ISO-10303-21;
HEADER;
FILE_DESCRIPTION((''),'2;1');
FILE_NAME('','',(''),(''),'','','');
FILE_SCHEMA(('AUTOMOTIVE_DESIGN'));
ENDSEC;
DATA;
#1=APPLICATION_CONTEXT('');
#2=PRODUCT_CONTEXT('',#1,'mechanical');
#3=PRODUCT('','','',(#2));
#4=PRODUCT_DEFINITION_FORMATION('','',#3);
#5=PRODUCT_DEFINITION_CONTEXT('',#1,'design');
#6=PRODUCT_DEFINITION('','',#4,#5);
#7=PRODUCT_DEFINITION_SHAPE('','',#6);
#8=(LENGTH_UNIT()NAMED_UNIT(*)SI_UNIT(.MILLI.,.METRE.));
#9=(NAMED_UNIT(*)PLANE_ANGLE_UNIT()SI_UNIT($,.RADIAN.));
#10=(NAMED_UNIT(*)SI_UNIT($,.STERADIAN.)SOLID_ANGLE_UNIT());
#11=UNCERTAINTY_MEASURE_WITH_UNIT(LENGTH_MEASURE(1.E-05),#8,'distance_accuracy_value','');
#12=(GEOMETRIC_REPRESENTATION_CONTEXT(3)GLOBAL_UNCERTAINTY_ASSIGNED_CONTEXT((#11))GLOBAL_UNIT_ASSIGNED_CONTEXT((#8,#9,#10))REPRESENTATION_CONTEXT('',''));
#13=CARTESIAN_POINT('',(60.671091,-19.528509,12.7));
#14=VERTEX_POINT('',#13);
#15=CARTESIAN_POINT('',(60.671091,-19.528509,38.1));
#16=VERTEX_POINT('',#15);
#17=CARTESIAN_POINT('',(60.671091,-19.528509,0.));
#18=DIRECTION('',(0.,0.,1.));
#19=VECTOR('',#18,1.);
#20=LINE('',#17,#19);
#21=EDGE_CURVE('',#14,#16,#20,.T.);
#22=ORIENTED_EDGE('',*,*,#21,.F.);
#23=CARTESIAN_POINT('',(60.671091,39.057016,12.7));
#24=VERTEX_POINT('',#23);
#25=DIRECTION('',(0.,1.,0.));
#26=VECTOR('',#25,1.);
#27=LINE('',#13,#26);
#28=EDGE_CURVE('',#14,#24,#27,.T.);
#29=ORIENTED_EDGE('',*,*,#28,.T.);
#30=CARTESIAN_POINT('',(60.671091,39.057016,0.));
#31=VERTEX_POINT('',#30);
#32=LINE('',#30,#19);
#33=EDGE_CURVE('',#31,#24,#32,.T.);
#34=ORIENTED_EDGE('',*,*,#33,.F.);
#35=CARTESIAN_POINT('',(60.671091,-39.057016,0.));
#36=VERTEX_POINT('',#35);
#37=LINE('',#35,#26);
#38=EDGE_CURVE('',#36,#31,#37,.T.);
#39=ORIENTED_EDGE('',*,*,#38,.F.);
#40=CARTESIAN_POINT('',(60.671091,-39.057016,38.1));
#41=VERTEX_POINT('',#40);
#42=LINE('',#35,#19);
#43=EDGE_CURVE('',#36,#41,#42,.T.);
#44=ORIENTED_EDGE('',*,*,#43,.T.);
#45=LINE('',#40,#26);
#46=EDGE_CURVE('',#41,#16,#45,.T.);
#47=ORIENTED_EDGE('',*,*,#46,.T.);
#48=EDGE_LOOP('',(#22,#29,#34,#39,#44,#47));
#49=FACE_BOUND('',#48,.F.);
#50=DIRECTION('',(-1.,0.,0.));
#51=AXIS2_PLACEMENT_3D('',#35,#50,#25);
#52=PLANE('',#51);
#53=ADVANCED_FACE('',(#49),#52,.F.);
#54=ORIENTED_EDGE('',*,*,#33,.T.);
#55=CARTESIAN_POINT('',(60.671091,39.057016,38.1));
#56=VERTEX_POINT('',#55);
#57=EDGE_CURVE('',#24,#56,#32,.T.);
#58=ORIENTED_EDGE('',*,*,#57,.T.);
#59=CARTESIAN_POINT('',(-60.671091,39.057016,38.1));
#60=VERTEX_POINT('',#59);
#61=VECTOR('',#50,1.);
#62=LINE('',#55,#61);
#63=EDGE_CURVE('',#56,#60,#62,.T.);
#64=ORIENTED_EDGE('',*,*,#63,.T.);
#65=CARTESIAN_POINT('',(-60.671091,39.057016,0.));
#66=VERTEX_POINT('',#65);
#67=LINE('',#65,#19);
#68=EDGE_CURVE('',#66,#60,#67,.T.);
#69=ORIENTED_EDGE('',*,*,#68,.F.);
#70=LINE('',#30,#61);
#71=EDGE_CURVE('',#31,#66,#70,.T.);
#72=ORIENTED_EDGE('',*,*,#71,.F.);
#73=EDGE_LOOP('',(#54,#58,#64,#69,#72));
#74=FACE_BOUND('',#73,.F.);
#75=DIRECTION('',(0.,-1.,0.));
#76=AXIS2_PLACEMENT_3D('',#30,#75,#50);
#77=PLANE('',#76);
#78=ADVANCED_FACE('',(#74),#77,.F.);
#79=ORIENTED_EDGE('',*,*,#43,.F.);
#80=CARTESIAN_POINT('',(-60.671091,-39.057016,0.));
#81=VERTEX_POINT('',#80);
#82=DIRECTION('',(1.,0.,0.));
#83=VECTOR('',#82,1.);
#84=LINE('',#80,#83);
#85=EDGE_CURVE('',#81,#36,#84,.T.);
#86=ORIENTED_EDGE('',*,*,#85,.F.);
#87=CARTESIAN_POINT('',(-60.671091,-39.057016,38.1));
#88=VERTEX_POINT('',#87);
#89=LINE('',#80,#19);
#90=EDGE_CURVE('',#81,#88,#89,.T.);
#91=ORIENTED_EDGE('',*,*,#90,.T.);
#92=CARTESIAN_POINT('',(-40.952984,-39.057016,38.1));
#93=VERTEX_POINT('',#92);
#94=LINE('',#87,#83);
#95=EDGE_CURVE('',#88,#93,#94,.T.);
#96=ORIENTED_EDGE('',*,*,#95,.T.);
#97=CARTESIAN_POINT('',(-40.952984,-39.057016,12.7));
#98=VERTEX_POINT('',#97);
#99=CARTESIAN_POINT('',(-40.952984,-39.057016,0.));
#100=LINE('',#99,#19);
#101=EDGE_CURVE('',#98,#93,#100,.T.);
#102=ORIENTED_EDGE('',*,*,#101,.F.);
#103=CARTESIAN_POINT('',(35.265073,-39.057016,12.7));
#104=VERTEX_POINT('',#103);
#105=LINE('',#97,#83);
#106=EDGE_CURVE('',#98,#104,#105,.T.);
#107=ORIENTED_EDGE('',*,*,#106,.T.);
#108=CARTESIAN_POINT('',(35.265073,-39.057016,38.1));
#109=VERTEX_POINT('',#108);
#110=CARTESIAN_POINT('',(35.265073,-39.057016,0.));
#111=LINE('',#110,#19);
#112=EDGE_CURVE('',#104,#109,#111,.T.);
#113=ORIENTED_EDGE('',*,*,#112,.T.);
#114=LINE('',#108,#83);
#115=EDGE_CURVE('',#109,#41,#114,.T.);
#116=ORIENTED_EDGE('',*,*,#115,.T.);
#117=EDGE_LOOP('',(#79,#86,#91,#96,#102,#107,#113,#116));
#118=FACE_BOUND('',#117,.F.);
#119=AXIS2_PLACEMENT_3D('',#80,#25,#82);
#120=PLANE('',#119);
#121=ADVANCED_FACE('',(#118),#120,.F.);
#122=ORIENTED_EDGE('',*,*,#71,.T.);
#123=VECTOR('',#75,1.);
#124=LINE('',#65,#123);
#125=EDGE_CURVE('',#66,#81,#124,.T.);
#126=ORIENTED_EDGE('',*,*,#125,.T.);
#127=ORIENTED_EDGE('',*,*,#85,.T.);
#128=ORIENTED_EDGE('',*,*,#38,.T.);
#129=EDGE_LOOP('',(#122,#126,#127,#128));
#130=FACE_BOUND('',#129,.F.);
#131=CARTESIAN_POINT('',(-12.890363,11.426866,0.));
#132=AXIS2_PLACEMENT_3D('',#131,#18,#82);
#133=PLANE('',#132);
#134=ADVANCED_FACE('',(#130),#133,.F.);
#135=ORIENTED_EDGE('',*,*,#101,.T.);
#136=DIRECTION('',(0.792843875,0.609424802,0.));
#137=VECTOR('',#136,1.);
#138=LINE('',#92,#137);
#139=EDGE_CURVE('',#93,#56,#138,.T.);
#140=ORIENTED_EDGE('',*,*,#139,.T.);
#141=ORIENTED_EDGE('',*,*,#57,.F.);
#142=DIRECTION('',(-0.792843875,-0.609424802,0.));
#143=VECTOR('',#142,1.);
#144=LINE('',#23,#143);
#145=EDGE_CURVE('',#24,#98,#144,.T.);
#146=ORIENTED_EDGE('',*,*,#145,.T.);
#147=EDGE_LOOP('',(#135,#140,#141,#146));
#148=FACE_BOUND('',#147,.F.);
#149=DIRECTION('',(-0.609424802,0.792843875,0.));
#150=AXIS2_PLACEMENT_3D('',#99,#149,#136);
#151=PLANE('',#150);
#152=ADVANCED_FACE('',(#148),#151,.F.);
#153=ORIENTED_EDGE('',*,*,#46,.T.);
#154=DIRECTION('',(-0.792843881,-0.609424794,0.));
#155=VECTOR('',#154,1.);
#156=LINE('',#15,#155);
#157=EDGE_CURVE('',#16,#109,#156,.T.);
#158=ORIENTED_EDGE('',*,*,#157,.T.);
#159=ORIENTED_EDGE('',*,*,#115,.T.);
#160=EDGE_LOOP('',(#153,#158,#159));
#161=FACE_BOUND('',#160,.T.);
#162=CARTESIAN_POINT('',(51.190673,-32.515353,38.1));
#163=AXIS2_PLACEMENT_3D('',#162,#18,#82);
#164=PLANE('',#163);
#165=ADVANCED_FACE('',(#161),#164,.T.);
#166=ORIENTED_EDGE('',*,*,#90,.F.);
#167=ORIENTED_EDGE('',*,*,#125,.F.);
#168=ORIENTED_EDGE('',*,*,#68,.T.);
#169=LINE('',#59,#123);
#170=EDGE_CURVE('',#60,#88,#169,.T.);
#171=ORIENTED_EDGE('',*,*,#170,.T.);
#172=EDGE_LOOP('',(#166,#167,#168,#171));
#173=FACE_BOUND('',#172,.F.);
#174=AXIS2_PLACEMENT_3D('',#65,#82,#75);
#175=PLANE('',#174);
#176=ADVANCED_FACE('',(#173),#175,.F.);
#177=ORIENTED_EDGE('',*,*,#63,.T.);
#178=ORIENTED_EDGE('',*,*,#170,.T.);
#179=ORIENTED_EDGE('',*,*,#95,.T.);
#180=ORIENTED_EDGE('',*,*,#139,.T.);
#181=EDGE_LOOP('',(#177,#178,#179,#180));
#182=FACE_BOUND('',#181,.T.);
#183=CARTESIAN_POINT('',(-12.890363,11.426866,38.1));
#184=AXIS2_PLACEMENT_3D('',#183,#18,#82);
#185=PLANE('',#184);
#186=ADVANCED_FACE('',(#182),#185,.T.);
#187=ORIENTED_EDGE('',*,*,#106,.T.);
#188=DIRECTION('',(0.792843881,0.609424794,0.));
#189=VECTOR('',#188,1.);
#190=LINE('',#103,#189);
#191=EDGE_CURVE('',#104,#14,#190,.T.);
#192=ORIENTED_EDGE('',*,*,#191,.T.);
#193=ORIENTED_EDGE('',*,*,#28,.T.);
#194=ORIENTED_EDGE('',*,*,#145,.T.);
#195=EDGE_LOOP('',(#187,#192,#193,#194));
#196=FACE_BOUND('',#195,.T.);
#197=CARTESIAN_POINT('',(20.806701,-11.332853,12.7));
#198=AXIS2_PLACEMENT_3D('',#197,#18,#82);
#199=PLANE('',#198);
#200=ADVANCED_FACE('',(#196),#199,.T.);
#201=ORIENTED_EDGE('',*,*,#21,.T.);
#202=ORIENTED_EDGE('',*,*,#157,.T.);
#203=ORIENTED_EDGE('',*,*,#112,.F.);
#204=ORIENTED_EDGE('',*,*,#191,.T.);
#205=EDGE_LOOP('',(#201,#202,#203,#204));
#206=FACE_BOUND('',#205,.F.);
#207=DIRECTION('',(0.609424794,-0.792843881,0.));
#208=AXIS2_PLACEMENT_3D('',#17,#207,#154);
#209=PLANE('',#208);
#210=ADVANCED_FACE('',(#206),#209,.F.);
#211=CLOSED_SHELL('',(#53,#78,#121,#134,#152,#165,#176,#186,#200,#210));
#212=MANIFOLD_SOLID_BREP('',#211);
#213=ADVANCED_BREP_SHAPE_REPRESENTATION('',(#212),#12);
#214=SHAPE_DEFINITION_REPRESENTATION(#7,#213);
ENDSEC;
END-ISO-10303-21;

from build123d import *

# Parameters (mm, degrees)
F1_DEPTH = 12.7
F2_DEPTH = 38.1
F3_DEPTH = 38.1


with BuildPart() as f1:
    # F0 (on Top) → F1 (new body)
    with BuildSketch(Plane.XY):
        Polygon((60.671091, -19.528509), (60.671091, 39.057016), (-40.952984, -39.057016), (35.265073, -39.057016), align=None)
    extrude(amount=F1_DEPTH)

    # F0 (on Top) → F2 (join)
    with BuildSketch(Plane.XY):
        Polygon((60.671091, -39.057016), (60.671091, -19.528509), (35.265073, -39.057016), align=None)
    extrude(amount=F2_DEPTH)

    # F0 (on Top) → F3 (join)
    with BuildSketch(Plane.XY):
        Polygon((-40.952984, -39.057016), (60.671091, 39.057016), (-60.671091, 39.057016), (-60.671091, -39.057016), align=None)
    extrude(amount=F3_DEPTH)


solid = f1.part
